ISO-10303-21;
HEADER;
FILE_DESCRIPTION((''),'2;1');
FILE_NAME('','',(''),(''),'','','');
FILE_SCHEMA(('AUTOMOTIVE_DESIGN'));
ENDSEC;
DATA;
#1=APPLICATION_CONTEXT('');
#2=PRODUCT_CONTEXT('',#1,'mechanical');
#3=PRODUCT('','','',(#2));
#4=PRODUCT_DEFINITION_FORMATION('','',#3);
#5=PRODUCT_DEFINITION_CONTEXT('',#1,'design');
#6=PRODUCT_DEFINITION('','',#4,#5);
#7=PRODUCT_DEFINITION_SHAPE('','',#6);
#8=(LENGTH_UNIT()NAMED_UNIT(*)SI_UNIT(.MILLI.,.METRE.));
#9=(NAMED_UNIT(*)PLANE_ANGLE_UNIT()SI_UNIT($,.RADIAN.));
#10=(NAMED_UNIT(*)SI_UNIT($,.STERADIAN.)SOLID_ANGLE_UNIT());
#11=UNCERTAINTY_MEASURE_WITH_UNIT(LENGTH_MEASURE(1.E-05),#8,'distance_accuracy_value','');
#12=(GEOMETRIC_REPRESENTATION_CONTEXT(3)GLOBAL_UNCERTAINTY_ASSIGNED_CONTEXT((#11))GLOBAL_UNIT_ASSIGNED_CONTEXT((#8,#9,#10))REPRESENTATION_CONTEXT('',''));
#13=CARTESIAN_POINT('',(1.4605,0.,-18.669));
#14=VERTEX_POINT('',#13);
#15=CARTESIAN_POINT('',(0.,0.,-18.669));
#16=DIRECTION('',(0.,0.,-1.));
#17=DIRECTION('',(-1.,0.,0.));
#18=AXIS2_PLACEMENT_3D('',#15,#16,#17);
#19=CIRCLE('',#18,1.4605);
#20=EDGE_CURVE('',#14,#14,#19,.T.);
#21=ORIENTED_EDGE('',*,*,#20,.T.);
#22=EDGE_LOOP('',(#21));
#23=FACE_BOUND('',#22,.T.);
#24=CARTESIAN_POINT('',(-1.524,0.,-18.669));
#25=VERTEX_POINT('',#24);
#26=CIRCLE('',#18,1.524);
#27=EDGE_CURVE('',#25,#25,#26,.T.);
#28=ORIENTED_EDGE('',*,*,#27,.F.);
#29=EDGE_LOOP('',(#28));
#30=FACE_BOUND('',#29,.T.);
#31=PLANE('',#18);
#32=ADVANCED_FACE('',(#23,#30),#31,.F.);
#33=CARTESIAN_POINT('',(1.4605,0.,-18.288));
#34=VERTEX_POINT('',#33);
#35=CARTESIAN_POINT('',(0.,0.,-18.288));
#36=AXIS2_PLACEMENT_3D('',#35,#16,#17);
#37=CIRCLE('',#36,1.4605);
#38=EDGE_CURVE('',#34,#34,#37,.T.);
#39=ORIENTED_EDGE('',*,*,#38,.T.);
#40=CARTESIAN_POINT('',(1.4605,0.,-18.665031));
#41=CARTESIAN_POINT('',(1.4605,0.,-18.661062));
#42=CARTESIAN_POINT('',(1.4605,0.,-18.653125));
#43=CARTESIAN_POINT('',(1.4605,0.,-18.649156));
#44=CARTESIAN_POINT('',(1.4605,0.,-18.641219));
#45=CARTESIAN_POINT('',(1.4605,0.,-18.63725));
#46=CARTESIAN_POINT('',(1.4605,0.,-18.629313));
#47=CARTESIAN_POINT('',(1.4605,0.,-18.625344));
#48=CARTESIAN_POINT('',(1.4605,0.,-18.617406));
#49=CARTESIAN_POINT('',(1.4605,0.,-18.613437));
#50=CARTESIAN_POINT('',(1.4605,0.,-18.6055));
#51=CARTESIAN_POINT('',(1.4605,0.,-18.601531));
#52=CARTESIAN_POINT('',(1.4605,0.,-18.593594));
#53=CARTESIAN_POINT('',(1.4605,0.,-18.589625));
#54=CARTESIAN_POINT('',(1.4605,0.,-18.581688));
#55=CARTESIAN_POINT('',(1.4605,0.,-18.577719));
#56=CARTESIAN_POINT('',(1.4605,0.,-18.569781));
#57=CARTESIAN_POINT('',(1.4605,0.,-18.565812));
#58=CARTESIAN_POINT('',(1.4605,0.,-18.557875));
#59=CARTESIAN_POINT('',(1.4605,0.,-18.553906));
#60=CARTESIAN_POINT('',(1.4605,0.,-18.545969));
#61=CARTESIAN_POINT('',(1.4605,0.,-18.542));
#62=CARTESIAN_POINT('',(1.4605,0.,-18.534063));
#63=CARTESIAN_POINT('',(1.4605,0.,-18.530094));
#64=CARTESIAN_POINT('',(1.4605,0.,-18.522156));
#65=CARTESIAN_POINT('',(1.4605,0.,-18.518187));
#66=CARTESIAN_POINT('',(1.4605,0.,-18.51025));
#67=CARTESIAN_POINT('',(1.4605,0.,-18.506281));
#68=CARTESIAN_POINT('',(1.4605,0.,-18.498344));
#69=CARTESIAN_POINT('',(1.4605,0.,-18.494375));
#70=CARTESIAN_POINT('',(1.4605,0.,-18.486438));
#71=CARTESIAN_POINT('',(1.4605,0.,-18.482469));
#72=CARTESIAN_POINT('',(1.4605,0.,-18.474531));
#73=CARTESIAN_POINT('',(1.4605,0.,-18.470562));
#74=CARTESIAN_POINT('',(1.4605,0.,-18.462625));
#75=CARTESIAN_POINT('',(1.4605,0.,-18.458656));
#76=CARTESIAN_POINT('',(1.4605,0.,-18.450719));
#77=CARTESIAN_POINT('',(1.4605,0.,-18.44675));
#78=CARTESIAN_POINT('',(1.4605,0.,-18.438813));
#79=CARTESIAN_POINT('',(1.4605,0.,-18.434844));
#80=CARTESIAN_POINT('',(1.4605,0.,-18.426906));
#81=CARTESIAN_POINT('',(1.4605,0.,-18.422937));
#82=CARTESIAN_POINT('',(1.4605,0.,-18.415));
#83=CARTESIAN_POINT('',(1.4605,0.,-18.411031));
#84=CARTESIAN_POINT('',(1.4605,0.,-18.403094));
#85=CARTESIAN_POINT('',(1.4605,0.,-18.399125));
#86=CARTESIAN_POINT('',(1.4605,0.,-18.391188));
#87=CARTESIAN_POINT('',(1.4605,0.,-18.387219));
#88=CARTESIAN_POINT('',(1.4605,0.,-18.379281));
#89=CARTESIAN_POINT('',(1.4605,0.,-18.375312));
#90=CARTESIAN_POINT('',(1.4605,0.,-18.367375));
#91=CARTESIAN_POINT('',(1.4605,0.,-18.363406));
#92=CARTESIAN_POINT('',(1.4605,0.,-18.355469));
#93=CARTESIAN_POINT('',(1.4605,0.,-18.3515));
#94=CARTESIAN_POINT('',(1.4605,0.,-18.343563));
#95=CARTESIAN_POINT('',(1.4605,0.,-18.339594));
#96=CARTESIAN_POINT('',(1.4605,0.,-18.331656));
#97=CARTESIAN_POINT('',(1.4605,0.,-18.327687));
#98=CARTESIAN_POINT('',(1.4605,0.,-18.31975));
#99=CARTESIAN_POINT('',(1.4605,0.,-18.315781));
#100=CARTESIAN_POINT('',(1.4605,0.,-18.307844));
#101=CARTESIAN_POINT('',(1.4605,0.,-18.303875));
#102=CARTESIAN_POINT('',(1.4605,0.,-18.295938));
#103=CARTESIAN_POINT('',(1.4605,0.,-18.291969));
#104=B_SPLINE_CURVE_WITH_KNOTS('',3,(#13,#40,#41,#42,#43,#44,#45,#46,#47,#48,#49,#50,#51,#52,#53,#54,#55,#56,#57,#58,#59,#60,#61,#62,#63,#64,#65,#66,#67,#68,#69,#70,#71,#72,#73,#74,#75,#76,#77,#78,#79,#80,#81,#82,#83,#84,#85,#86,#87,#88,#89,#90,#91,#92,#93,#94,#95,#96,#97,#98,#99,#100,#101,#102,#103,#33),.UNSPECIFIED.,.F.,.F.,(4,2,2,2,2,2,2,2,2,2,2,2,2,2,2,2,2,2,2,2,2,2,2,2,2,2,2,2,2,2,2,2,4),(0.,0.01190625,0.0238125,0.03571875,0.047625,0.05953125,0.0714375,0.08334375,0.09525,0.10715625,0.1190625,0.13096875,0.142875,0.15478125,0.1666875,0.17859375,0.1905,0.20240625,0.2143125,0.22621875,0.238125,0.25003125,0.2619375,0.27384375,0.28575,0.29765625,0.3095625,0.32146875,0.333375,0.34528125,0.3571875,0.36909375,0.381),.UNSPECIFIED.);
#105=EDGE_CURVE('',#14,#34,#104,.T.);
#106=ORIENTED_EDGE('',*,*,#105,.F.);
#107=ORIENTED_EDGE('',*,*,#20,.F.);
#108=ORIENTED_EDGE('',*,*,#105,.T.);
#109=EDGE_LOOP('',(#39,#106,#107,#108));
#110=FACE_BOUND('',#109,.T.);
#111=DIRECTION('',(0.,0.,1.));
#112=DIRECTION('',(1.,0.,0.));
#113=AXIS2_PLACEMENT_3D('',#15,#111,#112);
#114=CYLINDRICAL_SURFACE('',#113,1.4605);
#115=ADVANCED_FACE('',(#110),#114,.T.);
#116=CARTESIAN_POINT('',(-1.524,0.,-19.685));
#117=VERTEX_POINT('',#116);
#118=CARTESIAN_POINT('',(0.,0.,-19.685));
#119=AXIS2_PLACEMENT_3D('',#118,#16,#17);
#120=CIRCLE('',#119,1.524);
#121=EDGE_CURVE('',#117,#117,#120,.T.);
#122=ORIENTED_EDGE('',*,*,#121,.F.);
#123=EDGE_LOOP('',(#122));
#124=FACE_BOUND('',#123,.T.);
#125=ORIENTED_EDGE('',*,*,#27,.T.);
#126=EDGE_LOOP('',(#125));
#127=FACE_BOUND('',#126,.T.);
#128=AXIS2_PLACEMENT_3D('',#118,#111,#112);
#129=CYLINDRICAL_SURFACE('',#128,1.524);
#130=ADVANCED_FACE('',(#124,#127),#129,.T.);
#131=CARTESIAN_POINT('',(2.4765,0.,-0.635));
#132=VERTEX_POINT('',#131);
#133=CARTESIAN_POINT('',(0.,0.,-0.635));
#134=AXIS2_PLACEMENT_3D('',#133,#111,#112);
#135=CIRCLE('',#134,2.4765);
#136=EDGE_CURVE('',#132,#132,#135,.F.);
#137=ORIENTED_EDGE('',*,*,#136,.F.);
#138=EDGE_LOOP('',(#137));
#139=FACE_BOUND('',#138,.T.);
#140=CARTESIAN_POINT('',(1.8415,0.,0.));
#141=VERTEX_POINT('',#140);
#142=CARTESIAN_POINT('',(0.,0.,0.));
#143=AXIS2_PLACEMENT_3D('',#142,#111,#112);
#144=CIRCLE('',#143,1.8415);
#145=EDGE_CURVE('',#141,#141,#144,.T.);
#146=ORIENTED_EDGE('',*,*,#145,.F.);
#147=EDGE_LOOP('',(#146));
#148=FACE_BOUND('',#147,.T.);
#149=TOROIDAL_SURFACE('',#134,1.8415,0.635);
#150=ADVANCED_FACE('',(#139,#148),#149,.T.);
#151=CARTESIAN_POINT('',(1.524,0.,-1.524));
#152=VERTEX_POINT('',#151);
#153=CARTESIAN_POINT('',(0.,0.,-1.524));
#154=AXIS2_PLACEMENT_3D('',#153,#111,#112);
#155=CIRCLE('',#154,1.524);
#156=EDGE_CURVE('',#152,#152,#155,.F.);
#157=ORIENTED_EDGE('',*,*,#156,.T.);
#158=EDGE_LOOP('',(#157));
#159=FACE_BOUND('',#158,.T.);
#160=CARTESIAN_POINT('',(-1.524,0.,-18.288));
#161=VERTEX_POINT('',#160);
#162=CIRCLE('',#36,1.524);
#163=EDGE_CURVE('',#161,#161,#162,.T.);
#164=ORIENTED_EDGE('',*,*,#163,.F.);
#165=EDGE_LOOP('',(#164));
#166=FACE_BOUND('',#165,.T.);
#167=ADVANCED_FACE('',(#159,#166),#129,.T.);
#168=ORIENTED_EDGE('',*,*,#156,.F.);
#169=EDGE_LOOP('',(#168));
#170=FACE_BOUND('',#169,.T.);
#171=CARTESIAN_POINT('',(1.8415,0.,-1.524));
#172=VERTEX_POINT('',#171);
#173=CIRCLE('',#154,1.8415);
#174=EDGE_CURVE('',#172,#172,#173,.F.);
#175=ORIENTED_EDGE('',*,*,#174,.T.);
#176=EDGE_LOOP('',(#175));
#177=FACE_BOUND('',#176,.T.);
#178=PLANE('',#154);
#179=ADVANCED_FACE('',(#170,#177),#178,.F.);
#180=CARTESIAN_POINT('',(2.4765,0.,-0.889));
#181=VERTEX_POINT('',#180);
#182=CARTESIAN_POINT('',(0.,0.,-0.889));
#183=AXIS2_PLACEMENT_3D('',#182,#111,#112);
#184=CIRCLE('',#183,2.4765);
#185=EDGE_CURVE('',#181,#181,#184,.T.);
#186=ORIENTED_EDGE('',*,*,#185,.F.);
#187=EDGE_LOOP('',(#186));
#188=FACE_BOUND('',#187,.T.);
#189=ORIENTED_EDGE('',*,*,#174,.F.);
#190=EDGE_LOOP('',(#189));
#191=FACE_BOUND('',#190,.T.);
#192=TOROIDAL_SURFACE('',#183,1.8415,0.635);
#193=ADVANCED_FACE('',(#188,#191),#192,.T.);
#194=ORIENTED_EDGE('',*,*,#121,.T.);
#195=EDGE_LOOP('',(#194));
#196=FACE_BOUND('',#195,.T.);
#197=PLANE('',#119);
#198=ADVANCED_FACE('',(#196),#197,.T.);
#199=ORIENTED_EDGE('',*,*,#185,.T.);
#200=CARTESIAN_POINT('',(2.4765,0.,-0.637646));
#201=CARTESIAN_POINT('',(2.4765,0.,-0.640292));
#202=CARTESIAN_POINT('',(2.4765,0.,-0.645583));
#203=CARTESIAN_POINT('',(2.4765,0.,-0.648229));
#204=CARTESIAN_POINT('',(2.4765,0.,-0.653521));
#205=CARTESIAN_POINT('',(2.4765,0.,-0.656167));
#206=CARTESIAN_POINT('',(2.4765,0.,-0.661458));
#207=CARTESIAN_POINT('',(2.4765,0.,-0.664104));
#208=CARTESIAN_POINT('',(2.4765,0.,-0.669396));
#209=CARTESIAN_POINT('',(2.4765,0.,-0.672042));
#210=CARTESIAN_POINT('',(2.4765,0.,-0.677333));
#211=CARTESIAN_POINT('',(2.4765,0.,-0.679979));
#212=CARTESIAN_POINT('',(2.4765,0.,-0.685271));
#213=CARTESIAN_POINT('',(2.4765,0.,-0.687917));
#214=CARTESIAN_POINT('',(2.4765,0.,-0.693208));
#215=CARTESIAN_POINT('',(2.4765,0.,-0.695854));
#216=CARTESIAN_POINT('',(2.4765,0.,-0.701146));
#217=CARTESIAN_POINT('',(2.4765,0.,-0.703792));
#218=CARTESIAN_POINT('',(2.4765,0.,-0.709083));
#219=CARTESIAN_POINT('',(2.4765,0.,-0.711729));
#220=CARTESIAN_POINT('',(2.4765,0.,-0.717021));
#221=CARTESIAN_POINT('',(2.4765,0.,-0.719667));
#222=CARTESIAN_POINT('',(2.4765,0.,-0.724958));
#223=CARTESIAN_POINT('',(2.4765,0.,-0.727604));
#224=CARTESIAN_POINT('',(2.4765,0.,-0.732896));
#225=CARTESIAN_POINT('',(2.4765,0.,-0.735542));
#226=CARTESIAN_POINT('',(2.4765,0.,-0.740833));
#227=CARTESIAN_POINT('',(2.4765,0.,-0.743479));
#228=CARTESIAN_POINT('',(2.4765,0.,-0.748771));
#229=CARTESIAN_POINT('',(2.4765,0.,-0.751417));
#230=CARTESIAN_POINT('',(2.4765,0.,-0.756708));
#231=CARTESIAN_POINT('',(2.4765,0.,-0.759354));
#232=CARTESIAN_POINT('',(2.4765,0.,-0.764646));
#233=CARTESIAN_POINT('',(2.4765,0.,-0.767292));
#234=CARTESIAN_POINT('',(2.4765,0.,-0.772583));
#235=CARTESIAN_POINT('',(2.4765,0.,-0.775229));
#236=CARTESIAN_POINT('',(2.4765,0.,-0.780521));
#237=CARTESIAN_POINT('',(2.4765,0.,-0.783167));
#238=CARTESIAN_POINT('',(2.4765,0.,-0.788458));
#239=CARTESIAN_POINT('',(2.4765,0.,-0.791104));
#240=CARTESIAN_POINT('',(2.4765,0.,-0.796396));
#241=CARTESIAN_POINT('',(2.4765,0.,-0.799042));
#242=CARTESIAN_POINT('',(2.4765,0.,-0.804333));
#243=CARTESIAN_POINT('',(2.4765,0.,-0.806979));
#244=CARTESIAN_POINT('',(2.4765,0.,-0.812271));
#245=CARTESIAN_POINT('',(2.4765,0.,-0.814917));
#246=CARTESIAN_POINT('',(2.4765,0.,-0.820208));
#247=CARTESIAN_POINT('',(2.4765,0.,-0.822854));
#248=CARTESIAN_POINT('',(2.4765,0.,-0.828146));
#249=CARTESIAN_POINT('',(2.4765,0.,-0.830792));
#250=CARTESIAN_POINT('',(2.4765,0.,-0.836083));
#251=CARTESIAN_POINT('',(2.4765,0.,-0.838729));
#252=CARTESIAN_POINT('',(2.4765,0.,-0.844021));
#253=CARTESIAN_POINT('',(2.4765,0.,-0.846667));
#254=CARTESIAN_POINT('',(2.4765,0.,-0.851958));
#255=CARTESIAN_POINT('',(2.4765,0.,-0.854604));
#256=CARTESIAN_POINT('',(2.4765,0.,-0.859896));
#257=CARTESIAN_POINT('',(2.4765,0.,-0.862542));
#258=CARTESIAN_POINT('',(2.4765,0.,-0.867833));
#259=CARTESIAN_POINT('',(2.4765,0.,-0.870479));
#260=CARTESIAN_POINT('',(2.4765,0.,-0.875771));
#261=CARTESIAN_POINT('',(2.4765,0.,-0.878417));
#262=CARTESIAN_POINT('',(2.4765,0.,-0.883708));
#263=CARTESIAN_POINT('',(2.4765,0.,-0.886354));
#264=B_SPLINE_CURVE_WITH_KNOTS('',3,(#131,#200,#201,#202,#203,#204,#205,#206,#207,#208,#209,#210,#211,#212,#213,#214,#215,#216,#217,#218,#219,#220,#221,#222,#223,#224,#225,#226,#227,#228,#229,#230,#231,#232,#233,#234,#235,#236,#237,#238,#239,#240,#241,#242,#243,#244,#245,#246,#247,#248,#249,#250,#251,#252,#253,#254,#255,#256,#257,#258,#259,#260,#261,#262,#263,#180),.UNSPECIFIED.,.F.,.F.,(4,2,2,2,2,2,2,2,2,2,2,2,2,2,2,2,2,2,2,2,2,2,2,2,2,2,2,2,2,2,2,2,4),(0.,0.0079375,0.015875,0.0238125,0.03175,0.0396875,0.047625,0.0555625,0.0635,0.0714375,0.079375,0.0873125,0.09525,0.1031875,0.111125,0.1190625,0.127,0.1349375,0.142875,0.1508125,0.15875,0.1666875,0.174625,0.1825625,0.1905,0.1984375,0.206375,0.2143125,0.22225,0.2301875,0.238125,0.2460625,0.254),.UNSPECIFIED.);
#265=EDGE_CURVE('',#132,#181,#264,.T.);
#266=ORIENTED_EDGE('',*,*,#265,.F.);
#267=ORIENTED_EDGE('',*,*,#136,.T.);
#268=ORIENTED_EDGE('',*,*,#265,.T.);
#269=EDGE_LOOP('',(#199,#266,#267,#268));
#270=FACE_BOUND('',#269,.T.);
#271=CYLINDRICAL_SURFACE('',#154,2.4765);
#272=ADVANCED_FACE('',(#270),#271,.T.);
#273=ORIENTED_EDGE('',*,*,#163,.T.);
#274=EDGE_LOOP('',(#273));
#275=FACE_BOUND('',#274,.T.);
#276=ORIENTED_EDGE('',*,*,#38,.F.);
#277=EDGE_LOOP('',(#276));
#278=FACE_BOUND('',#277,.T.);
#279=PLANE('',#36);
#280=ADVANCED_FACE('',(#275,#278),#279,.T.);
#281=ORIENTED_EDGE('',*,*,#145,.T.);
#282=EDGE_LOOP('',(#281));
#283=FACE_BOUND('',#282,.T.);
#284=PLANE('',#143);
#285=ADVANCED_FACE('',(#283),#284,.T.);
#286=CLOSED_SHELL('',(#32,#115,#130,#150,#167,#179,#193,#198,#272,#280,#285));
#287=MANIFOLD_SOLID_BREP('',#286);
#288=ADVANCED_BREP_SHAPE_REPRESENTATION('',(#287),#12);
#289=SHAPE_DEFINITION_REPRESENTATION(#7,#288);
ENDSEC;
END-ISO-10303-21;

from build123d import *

# Parameters (mm, degrees)
SKETCH1_R           = 2.4765
BOSS_EXTRUDE1_DEPTH = 1.524
SKETCH2_R           = 1.524
BOSS_EXTRUDE2_DEPTH = 18.161
CUT_EXTRUDE1_START  = -1.397
SKETCH4_R           = 1.524
CUT_EXTRUDE1_DEPTH  = 1.397
SKETCH5_R           = 1.4605
BOSS_EXTRUDE3_DEPTH = 0.381
SKETCH6_R           = 1.524
BOSS_EXTRUDE4_DEPTH = 1.016
FILLET1_R           = 0.635


with BuildPart() as part:
    # Sketch1 → Boss-Extrude1 (new body)
    with BuildSketch(Plane.XY):
        Circle(SKETCH1_R)
    extrude(amount=-BOSS_EXTRUDE1_DEPTH)

    # Sketch2 → Boss-Extrude2 (add)
    with BuildSketch(Plane(origin=(0, 0, -1.524), x_dir=(-1, 0, 0), z_dir=(0, 0, -1))):
        with Locations(Location((0, 0, 0), (0, 0, 180))):
            Circle(SKETCH2_R)
    extrude(amount=BOSS_EXTRUDE2_DEPTH)

    # Sketch4 → Cut-Extrude1 (cut)
    with BuildSketch(Plane(origin=(0, 0, -19.685), x_dir=(-1, 0, 0), z_dir=(0, 0, -1)).offset(CUT_EXTRUDE1_START)):
        with Locations(Location((0, 0, 0), (0, 0, 180))):
            Circle(SKETCH4_R)
    extrude(amount=CUT_EXTRUDE1_DEPTH, mode=Mode.SUBTRACT)

    # Sketch5 → Boss-Extrude3 (add)
    with BuildSketch(Plane(origin=(0, 0, -18.288), x_dir=(-1, 0, 0), z_dir=(0, 0, -1))):
        with Locations(Location((0, 0, 0), (0, 0, 180))):
            Circle(SKETCH5_R)
    extrude(amount=BOSS_EXTRUDE3_DEPTH)

    # Sketch6 → Boss-Extrude4 (add)
    with BuildSketch(Plane(origin=(0, 0, -18.669), x_dir=(-1, 0, 0), z_dir=(0, 0, -1))):
        with Locations(Location((0, 0, 0), (0, 0, 180))):
            Circle(SKETCH6_R)
    extrude(amount=BOSS_EXTRUDE4_DEPTH)

    # Fillet1
    fillet1_edges = [part.edges().sort_by_distance(p)[0] for p in [
        (-2.4765, 0, 0),
        (-2.4765, 0, -1.524),
    ]]
    fillet(fillet1_edges, radius=FILLET1_R)


solid = part.part
